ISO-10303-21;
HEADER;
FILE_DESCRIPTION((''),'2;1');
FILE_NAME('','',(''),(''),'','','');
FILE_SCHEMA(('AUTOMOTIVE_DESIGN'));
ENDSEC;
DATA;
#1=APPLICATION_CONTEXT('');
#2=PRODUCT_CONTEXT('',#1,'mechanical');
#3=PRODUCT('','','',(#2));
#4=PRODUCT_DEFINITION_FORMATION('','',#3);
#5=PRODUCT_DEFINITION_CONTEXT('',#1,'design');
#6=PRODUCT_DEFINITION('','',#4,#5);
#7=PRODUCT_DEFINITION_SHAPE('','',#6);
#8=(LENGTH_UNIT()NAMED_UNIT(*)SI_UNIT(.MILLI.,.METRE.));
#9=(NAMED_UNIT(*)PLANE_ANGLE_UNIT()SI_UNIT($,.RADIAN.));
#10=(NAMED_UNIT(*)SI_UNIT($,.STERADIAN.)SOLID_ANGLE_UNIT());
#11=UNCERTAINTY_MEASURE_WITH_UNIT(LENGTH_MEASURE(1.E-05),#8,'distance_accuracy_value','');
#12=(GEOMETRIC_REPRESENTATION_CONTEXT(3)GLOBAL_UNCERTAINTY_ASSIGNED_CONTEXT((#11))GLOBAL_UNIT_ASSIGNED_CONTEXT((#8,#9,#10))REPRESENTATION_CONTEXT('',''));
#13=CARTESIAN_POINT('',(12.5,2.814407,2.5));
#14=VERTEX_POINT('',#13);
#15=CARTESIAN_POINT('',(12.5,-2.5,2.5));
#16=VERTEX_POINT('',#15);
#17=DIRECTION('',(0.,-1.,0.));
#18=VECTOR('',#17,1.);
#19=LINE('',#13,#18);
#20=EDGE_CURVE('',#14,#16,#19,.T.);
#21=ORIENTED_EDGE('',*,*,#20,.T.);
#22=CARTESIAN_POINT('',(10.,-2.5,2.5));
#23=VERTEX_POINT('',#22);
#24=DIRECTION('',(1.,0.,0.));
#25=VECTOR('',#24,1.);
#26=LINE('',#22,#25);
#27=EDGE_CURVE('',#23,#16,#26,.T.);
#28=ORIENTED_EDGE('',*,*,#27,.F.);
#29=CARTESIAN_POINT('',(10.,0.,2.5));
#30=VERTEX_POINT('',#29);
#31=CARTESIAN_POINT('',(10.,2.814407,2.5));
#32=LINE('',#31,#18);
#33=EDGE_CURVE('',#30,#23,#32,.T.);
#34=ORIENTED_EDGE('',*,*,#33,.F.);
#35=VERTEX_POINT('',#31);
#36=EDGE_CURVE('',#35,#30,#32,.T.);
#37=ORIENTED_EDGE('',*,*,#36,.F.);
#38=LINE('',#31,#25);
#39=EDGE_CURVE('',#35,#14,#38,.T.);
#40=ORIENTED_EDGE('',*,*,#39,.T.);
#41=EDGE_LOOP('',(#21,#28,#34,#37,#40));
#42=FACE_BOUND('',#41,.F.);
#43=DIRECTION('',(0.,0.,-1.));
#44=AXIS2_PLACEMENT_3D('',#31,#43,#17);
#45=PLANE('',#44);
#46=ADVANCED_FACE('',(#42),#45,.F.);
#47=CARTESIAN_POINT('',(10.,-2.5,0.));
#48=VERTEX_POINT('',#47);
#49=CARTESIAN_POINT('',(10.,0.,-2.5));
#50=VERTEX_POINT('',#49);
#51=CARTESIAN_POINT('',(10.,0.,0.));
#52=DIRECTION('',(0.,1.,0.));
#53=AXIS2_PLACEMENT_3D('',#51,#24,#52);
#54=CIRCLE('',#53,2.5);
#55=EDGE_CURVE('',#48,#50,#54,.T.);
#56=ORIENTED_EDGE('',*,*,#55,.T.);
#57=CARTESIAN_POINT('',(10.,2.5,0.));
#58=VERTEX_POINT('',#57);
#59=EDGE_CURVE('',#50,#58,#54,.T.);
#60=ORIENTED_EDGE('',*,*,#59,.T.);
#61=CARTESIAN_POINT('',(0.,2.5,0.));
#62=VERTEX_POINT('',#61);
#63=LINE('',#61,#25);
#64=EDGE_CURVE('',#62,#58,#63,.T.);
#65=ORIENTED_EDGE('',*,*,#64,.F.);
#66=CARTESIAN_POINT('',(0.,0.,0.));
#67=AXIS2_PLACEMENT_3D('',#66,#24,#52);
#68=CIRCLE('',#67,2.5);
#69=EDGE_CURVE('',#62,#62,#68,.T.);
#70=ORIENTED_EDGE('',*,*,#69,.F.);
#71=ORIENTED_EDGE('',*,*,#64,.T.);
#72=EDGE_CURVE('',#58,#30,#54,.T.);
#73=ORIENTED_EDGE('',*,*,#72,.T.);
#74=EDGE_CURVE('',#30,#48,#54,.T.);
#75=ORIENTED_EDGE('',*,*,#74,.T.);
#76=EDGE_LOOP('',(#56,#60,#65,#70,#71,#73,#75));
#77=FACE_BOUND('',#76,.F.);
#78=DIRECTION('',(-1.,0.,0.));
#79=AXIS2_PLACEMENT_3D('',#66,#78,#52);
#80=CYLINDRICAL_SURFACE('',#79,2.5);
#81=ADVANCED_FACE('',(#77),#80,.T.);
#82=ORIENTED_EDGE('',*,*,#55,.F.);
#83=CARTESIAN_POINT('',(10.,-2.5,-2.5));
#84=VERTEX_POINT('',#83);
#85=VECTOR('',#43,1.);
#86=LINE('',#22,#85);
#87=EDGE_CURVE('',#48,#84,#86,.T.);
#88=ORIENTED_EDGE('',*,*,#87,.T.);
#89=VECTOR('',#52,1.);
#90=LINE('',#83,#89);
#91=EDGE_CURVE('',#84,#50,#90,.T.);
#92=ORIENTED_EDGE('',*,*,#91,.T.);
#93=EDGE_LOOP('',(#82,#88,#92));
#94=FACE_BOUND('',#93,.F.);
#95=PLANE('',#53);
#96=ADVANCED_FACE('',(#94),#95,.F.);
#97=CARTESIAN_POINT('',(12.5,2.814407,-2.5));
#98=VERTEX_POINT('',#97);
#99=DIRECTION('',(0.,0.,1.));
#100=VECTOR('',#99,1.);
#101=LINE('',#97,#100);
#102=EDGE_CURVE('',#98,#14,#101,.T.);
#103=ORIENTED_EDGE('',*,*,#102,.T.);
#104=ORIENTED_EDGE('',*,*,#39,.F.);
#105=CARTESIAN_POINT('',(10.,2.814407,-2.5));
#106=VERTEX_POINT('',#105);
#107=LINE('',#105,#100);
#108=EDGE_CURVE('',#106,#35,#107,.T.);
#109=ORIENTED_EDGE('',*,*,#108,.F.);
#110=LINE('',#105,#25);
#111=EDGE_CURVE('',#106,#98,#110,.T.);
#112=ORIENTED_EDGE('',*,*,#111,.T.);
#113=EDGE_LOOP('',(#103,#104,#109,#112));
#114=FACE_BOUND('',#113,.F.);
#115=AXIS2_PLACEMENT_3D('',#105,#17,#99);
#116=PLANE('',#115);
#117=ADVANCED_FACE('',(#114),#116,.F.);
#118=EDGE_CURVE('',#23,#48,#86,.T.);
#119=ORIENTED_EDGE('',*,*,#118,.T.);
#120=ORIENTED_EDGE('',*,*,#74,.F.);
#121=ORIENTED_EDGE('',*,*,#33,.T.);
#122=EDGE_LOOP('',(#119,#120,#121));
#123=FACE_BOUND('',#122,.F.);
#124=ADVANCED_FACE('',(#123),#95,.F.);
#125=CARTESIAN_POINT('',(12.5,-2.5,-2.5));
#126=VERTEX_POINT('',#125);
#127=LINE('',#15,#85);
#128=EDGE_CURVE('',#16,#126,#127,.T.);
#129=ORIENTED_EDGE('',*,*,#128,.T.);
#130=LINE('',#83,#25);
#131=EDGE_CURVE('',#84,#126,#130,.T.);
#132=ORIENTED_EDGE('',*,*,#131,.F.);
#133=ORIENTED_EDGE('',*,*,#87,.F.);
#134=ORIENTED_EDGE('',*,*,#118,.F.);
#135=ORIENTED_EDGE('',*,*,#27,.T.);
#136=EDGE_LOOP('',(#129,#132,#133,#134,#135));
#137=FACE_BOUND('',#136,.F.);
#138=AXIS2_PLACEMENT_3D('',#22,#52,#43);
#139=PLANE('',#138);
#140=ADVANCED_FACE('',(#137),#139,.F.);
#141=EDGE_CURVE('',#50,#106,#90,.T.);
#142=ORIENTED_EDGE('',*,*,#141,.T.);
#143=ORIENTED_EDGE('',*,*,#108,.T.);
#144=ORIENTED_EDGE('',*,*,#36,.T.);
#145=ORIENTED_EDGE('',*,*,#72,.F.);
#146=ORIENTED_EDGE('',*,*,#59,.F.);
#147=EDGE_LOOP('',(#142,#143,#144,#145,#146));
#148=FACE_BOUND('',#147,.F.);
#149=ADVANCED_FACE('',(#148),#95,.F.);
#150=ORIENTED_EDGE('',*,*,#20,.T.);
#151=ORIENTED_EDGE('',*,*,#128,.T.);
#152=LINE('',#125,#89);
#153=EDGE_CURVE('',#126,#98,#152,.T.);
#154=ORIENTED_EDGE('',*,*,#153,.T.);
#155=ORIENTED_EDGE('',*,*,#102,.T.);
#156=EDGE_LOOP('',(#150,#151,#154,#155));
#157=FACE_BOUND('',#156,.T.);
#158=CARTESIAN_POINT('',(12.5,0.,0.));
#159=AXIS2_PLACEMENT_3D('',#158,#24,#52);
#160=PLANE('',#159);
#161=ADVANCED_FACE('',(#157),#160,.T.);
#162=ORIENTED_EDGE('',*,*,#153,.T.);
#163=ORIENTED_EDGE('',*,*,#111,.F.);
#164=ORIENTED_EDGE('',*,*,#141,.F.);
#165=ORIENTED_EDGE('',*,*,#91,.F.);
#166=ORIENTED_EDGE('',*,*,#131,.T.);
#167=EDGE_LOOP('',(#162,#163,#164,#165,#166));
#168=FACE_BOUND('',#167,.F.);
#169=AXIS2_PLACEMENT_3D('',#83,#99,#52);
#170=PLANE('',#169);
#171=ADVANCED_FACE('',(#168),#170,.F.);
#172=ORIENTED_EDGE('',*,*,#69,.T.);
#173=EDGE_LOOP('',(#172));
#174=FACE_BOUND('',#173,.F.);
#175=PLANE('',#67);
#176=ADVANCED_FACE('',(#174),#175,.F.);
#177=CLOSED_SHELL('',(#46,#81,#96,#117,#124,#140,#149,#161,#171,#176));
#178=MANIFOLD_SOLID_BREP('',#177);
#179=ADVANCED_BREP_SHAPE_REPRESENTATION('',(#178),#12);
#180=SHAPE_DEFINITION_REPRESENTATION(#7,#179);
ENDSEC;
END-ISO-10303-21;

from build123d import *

# Parameters (mm, degrees)
F0_R     = 2.5
F1_DEPTH = 10
F3_DEPTH = 2.5


with BuildPart() as f1:
    # F0 (on Right) → F1 (new body)
    with BuildSketch(Plane.YZ):
        Circle(F0_R)
    extrude(amount=F1_DEPTH)

    # F2 (on face) → F3 (join)
    with BuildSketch(Plane.YZ.offset(10)):
        with BuildLine():
            ThreePointArc((0, 2.5), (-1.767767, 1.767767), (-2.5, 0))
            ThreePointArc((-2.5, 0), (-1.767767, -1.767767), (0, -2.5))
            ThreePointArc((0, -2.5), (1.767767, -1.767767), (2.5, 0))
            ThreePointArc((2.5, 0), (1.767767, 1.767767), (0, 2.5))
        make_face()
        with BuildLine():
            Line((-2.5, 2.5), (-2.5, 0))
            ThreePointArc((-2.5, 0), (-1.767767, 1.767767), (0, 2.5))
            Line((0, 2.5), (-2.5, 2.5))
        make_face()
        with BuildLine():
            Line((2.814407, 2.5), (0, 2.5))
            ThreePointArc((0, 2.5), (1.767767, 1.767767), (2.5, 0))
            ThreePointArc((2.5, 0), (1.767767, -1.767767), (0, -2.5))
            Line((0, -2.5), (2.814407, -2.5))
            Line((2.814407, -2.5), (2.814407, 2.5))
        make_face()
        with BuildLine():
            ThreePointArc((0, -2.5), (-1.767767, -1.767767), (-2.5, 0))
            Line((-2.5, 0), (-2.5, -2.5))
            Line((-2.5, -2.5), (0, -2.5))
        make_face()
    extrude(amount=F3_DEPTH)


solid = f1.part
